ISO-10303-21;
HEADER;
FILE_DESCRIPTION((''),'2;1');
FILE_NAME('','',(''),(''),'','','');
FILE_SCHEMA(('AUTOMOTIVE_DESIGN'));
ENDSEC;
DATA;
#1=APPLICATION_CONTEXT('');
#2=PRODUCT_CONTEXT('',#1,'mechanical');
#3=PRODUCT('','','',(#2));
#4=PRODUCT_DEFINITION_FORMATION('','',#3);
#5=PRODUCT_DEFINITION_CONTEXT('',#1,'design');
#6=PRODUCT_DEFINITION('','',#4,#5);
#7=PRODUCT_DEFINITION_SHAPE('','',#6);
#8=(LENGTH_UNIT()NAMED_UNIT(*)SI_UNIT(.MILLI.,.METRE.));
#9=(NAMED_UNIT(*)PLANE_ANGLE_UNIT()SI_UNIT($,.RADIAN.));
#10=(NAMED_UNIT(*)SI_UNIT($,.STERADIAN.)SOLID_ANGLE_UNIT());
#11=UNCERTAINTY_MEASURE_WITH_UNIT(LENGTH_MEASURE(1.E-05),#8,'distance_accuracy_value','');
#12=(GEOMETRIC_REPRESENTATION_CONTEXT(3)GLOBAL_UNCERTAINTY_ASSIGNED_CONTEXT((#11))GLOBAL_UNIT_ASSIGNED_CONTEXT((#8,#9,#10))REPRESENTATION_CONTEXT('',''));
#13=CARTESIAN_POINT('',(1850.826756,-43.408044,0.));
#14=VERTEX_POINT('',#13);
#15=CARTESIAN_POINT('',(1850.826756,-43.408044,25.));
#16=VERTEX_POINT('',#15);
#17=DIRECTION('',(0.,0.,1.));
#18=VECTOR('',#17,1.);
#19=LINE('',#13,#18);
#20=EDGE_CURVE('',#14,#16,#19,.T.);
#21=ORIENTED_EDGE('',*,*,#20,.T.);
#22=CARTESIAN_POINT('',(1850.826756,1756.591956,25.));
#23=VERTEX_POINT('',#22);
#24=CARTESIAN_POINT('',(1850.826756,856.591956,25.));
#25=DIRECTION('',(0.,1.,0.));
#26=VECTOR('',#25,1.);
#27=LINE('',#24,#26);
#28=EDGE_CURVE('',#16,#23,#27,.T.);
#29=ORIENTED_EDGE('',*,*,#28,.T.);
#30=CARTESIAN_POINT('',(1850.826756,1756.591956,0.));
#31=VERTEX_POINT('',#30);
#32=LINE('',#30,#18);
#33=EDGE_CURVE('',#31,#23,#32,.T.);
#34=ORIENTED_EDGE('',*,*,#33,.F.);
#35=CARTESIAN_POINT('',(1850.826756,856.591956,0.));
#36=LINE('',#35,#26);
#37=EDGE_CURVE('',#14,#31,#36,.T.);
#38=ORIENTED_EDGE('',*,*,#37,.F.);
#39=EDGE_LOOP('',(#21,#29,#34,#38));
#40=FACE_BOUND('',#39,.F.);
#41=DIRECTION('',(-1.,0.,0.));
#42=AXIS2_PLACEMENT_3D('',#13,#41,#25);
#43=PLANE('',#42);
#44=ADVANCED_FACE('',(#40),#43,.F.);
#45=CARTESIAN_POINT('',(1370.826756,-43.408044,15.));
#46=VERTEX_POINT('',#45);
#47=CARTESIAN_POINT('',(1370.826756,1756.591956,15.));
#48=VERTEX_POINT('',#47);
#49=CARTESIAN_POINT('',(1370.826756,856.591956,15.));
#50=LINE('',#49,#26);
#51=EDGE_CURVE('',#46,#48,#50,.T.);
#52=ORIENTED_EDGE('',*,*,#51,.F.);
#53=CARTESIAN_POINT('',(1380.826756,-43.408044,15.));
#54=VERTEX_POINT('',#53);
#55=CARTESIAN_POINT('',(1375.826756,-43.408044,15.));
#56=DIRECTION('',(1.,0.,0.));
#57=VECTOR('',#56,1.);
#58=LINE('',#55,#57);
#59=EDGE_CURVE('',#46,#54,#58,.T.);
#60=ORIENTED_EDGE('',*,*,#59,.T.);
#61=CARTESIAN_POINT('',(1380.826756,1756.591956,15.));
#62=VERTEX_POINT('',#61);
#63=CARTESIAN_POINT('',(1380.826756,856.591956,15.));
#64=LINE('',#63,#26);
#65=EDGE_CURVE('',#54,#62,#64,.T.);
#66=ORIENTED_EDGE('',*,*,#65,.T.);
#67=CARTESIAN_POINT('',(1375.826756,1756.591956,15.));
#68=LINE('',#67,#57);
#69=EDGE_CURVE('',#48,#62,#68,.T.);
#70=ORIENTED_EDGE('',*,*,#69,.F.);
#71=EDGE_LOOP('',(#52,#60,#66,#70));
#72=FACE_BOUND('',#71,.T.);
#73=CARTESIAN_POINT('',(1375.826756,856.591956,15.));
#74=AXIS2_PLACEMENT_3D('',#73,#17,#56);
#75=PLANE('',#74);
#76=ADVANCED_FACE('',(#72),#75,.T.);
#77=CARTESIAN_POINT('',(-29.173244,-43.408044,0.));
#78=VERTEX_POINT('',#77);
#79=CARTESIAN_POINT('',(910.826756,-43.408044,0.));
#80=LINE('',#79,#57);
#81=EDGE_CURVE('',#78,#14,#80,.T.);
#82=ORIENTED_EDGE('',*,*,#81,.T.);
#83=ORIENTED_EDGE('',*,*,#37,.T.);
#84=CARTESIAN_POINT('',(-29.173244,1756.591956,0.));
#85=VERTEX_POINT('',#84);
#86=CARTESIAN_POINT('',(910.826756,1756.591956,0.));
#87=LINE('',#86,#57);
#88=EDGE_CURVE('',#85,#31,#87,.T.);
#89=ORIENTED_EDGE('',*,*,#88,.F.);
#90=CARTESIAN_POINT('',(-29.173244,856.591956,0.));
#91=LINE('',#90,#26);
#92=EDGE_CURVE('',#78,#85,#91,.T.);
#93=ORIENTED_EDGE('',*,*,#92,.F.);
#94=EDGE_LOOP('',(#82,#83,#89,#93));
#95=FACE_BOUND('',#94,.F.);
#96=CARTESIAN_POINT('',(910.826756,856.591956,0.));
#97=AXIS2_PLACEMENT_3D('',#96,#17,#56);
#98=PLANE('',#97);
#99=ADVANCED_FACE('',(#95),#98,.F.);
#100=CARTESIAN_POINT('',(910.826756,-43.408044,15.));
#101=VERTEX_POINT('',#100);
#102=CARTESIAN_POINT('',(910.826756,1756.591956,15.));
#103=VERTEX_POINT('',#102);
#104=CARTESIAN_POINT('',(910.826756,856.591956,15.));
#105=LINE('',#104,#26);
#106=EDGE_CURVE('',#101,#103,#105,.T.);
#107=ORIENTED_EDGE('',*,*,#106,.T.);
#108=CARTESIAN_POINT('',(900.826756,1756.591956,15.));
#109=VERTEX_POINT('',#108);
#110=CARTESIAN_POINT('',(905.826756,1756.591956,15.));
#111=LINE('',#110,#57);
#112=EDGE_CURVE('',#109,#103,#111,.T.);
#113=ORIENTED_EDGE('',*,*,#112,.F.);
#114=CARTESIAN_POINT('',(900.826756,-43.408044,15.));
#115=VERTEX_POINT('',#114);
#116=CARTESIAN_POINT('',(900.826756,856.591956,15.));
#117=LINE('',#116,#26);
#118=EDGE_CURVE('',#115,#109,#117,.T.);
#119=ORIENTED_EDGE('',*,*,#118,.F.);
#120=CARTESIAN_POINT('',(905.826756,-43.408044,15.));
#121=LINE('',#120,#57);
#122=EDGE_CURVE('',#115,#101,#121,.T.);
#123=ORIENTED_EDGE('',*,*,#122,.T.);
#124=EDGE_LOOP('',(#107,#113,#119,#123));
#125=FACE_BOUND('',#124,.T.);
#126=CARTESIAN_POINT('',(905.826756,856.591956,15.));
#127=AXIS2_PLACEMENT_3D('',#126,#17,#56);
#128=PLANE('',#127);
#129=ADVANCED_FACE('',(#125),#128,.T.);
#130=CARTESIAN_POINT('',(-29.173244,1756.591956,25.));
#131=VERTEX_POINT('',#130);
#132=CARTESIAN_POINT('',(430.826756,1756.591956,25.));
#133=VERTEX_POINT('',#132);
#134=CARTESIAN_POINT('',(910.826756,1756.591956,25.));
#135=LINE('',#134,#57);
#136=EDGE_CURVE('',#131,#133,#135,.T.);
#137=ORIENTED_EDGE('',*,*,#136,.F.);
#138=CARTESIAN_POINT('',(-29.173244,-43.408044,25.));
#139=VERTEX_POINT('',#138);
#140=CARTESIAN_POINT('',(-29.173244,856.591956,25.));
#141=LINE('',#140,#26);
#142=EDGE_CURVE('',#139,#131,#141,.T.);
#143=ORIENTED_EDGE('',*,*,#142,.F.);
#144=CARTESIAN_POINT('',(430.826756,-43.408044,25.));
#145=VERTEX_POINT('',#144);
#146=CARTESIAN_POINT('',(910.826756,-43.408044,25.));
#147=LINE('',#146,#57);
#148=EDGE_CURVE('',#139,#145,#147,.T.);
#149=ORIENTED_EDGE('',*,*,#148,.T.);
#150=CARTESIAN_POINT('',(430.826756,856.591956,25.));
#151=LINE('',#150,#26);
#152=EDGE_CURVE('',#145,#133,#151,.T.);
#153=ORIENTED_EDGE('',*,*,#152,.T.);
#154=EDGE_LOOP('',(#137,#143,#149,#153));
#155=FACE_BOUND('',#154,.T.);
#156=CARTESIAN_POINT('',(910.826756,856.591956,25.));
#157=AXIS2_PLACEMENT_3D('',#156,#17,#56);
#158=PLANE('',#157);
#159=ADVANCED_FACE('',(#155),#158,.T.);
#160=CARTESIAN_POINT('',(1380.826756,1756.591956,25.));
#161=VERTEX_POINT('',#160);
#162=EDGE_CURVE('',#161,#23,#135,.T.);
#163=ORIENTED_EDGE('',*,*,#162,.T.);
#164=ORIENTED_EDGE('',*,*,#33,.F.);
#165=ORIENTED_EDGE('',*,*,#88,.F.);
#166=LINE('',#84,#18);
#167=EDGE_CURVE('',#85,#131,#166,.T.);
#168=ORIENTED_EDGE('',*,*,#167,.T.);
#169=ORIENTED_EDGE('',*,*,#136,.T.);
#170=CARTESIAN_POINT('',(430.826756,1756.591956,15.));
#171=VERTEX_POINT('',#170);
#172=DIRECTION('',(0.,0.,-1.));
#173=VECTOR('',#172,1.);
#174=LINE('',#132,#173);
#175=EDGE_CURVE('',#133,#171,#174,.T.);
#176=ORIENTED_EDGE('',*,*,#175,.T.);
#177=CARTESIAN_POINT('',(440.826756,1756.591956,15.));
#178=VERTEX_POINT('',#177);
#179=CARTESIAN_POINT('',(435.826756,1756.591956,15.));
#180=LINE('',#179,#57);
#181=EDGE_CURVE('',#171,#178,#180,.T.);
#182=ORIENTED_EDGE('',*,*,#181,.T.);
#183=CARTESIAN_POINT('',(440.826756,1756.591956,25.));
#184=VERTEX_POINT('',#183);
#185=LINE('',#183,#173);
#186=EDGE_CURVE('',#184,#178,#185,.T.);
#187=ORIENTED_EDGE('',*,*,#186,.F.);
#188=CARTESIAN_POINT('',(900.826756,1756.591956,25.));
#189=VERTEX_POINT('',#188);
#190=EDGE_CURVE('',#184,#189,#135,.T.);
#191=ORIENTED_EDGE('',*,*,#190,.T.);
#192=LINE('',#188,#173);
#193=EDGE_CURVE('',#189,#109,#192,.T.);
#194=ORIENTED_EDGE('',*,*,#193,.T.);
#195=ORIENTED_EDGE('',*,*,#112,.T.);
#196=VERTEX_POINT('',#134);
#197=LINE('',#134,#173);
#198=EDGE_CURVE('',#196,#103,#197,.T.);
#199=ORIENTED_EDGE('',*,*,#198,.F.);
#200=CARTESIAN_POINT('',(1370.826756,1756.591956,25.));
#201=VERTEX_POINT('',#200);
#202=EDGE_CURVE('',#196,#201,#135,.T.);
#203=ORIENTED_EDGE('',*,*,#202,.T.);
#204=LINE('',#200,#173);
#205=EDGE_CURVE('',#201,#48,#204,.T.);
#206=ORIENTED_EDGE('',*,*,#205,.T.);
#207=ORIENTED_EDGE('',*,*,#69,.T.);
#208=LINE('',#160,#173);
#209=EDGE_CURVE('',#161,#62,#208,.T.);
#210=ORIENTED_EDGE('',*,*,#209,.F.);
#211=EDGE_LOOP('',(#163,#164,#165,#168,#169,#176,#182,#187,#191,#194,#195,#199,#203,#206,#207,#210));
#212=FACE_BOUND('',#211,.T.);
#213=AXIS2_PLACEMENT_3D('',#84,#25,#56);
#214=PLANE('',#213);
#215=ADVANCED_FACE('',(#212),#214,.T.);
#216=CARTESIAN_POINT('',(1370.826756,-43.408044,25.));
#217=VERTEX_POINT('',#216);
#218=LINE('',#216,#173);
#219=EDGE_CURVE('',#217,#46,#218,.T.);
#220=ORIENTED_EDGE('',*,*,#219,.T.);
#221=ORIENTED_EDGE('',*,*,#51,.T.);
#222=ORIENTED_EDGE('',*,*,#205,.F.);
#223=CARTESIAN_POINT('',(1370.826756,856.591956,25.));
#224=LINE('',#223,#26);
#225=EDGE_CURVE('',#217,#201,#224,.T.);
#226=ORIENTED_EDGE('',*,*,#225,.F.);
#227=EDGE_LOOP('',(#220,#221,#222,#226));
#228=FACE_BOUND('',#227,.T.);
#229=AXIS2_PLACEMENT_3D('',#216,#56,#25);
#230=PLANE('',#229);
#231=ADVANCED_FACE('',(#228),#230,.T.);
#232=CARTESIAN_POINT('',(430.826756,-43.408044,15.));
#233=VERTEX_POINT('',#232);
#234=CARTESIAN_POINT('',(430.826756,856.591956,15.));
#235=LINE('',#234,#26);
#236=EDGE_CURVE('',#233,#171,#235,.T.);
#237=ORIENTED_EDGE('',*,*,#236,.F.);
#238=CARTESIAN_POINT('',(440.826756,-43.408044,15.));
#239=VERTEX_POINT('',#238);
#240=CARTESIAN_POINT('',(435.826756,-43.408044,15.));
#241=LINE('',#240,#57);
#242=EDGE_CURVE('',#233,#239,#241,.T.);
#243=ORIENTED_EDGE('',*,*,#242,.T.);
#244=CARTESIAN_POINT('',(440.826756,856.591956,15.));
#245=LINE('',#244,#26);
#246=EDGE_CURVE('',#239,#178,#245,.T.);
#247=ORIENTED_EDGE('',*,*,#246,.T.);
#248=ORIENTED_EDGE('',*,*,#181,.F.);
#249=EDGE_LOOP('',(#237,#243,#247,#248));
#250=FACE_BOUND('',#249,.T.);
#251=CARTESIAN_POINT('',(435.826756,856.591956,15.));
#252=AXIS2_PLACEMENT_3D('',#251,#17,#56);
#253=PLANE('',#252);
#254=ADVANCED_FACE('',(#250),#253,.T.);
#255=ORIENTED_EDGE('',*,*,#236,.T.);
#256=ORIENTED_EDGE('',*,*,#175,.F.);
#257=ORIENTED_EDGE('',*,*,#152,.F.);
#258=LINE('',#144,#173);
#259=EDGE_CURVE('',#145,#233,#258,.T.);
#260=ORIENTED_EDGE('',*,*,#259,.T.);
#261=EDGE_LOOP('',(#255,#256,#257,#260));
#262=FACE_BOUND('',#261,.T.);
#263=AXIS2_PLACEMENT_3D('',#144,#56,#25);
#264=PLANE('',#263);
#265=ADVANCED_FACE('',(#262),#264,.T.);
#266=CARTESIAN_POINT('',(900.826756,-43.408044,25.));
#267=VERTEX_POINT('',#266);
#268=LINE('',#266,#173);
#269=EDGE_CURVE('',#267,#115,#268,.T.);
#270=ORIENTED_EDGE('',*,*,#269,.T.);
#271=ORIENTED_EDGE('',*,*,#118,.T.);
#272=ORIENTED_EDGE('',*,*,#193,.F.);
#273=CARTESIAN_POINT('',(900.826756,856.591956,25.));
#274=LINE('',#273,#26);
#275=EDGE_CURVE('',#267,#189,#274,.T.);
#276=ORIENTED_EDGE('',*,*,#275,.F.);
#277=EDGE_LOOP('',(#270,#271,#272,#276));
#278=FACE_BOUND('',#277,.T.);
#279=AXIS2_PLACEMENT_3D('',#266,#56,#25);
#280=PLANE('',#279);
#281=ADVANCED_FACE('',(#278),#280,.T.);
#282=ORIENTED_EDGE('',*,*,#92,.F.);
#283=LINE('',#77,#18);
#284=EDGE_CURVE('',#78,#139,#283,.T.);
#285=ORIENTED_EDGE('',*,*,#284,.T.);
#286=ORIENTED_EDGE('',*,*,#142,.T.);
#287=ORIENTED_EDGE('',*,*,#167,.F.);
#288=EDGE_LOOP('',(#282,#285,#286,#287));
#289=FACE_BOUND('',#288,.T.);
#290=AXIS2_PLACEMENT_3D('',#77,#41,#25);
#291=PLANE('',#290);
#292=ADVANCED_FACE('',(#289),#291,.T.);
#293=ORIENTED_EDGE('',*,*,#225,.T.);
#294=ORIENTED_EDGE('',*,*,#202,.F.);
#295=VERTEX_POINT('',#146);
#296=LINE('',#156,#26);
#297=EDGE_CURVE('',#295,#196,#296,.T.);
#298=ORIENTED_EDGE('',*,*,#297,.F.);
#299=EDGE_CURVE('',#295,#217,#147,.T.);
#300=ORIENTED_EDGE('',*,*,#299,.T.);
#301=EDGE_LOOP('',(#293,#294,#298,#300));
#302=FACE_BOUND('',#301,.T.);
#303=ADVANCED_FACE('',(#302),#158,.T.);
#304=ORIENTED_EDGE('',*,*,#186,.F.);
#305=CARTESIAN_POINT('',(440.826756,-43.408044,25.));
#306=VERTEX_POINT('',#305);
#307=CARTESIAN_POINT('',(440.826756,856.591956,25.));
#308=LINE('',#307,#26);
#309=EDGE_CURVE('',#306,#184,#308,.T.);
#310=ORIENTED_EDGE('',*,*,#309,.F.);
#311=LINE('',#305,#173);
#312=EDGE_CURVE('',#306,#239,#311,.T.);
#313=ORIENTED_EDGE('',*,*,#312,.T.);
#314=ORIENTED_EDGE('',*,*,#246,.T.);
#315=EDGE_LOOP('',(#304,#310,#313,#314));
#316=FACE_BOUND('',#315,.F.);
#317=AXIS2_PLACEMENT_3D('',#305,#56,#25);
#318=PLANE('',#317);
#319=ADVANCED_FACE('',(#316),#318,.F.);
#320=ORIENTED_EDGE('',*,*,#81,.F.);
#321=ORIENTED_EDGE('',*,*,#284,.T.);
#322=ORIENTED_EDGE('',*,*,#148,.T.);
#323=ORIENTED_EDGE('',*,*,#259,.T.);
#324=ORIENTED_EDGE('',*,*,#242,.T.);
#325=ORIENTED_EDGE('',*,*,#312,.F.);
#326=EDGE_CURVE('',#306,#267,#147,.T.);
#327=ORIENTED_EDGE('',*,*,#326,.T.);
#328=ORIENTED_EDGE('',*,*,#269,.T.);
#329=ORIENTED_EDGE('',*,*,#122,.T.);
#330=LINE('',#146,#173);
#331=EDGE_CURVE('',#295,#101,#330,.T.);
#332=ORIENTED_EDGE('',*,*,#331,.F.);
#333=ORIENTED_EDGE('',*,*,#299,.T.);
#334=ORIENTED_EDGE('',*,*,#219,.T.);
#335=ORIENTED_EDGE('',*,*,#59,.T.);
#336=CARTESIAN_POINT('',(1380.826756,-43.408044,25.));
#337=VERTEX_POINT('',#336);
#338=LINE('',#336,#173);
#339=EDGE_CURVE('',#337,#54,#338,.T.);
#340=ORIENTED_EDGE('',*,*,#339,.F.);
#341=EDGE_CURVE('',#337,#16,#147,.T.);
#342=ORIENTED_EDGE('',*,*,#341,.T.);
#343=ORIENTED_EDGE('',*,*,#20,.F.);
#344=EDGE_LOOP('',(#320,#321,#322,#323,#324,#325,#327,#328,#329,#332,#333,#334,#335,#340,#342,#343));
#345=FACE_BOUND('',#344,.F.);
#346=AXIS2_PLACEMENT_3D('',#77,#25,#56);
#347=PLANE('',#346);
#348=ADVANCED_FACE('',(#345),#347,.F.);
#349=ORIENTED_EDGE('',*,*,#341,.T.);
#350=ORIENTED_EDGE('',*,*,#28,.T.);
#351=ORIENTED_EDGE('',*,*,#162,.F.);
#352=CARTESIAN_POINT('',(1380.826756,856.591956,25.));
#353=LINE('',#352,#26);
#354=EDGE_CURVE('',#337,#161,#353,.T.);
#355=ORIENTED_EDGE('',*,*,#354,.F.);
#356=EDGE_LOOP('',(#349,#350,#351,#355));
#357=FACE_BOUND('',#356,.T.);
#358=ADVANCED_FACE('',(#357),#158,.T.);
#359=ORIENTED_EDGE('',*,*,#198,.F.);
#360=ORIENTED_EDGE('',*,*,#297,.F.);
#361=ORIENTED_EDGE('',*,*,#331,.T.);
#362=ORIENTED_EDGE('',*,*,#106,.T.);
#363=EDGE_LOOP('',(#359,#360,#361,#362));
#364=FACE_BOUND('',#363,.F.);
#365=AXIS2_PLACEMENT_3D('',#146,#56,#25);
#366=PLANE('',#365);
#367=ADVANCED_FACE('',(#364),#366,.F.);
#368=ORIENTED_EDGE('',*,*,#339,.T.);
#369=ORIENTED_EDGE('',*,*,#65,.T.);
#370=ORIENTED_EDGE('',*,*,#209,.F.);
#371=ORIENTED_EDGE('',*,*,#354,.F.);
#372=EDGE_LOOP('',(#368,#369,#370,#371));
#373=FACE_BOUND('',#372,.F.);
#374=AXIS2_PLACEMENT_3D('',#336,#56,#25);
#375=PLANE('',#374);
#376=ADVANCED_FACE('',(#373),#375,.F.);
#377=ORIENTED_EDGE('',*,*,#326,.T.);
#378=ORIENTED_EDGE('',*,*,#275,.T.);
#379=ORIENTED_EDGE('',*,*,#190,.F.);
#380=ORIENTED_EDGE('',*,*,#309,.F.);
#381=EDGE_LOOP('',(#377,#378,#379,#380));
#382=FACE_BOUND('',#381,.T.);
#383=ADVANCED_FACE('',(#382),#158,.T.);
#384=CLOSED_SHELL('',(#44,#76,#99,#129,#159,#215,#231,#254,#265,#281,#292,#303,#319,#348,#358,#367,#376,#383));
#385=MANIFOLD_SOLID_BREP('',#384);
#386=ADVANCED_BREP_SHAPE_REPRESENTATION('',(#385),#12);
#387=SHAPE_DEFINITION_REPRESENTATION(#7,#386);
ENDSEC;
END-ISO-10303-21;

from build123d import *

# Parameters (mm, degrees)
F0_W     = 1880
F0_H     = 1800
F1_DEPTH = 25
F2_W     = 10
F2_H     = 1800
F3_DEPTH = 10


with BuildPart() as f1:
    # F0 (on Top) → F1 (new body)
    with BuildSketch(Plane.XY):
        with Locations((910.826756, 856.591956)):
            Rectangle(F0_W, F0_H)
    extrude(amount=F1_DEPTH)

    # F2 (on face) → F3 (cut)
    with BuildSketch(Plane.XY.offset(25)):
        with Locations((435.826756, 856.591956)):
            Rectangle(F2_W, F2_H)
        with Locations((905.826756, 856.591956)):
            Rectangle(F2_W, F2_H)
        with Locations((1375.826756, 856.591956)):
            Rectangle(F2_W, F2_H)
    extrude(amount=-F3_DEPTH, mode=Mode.SUBTRACT)


solid = f1.part
